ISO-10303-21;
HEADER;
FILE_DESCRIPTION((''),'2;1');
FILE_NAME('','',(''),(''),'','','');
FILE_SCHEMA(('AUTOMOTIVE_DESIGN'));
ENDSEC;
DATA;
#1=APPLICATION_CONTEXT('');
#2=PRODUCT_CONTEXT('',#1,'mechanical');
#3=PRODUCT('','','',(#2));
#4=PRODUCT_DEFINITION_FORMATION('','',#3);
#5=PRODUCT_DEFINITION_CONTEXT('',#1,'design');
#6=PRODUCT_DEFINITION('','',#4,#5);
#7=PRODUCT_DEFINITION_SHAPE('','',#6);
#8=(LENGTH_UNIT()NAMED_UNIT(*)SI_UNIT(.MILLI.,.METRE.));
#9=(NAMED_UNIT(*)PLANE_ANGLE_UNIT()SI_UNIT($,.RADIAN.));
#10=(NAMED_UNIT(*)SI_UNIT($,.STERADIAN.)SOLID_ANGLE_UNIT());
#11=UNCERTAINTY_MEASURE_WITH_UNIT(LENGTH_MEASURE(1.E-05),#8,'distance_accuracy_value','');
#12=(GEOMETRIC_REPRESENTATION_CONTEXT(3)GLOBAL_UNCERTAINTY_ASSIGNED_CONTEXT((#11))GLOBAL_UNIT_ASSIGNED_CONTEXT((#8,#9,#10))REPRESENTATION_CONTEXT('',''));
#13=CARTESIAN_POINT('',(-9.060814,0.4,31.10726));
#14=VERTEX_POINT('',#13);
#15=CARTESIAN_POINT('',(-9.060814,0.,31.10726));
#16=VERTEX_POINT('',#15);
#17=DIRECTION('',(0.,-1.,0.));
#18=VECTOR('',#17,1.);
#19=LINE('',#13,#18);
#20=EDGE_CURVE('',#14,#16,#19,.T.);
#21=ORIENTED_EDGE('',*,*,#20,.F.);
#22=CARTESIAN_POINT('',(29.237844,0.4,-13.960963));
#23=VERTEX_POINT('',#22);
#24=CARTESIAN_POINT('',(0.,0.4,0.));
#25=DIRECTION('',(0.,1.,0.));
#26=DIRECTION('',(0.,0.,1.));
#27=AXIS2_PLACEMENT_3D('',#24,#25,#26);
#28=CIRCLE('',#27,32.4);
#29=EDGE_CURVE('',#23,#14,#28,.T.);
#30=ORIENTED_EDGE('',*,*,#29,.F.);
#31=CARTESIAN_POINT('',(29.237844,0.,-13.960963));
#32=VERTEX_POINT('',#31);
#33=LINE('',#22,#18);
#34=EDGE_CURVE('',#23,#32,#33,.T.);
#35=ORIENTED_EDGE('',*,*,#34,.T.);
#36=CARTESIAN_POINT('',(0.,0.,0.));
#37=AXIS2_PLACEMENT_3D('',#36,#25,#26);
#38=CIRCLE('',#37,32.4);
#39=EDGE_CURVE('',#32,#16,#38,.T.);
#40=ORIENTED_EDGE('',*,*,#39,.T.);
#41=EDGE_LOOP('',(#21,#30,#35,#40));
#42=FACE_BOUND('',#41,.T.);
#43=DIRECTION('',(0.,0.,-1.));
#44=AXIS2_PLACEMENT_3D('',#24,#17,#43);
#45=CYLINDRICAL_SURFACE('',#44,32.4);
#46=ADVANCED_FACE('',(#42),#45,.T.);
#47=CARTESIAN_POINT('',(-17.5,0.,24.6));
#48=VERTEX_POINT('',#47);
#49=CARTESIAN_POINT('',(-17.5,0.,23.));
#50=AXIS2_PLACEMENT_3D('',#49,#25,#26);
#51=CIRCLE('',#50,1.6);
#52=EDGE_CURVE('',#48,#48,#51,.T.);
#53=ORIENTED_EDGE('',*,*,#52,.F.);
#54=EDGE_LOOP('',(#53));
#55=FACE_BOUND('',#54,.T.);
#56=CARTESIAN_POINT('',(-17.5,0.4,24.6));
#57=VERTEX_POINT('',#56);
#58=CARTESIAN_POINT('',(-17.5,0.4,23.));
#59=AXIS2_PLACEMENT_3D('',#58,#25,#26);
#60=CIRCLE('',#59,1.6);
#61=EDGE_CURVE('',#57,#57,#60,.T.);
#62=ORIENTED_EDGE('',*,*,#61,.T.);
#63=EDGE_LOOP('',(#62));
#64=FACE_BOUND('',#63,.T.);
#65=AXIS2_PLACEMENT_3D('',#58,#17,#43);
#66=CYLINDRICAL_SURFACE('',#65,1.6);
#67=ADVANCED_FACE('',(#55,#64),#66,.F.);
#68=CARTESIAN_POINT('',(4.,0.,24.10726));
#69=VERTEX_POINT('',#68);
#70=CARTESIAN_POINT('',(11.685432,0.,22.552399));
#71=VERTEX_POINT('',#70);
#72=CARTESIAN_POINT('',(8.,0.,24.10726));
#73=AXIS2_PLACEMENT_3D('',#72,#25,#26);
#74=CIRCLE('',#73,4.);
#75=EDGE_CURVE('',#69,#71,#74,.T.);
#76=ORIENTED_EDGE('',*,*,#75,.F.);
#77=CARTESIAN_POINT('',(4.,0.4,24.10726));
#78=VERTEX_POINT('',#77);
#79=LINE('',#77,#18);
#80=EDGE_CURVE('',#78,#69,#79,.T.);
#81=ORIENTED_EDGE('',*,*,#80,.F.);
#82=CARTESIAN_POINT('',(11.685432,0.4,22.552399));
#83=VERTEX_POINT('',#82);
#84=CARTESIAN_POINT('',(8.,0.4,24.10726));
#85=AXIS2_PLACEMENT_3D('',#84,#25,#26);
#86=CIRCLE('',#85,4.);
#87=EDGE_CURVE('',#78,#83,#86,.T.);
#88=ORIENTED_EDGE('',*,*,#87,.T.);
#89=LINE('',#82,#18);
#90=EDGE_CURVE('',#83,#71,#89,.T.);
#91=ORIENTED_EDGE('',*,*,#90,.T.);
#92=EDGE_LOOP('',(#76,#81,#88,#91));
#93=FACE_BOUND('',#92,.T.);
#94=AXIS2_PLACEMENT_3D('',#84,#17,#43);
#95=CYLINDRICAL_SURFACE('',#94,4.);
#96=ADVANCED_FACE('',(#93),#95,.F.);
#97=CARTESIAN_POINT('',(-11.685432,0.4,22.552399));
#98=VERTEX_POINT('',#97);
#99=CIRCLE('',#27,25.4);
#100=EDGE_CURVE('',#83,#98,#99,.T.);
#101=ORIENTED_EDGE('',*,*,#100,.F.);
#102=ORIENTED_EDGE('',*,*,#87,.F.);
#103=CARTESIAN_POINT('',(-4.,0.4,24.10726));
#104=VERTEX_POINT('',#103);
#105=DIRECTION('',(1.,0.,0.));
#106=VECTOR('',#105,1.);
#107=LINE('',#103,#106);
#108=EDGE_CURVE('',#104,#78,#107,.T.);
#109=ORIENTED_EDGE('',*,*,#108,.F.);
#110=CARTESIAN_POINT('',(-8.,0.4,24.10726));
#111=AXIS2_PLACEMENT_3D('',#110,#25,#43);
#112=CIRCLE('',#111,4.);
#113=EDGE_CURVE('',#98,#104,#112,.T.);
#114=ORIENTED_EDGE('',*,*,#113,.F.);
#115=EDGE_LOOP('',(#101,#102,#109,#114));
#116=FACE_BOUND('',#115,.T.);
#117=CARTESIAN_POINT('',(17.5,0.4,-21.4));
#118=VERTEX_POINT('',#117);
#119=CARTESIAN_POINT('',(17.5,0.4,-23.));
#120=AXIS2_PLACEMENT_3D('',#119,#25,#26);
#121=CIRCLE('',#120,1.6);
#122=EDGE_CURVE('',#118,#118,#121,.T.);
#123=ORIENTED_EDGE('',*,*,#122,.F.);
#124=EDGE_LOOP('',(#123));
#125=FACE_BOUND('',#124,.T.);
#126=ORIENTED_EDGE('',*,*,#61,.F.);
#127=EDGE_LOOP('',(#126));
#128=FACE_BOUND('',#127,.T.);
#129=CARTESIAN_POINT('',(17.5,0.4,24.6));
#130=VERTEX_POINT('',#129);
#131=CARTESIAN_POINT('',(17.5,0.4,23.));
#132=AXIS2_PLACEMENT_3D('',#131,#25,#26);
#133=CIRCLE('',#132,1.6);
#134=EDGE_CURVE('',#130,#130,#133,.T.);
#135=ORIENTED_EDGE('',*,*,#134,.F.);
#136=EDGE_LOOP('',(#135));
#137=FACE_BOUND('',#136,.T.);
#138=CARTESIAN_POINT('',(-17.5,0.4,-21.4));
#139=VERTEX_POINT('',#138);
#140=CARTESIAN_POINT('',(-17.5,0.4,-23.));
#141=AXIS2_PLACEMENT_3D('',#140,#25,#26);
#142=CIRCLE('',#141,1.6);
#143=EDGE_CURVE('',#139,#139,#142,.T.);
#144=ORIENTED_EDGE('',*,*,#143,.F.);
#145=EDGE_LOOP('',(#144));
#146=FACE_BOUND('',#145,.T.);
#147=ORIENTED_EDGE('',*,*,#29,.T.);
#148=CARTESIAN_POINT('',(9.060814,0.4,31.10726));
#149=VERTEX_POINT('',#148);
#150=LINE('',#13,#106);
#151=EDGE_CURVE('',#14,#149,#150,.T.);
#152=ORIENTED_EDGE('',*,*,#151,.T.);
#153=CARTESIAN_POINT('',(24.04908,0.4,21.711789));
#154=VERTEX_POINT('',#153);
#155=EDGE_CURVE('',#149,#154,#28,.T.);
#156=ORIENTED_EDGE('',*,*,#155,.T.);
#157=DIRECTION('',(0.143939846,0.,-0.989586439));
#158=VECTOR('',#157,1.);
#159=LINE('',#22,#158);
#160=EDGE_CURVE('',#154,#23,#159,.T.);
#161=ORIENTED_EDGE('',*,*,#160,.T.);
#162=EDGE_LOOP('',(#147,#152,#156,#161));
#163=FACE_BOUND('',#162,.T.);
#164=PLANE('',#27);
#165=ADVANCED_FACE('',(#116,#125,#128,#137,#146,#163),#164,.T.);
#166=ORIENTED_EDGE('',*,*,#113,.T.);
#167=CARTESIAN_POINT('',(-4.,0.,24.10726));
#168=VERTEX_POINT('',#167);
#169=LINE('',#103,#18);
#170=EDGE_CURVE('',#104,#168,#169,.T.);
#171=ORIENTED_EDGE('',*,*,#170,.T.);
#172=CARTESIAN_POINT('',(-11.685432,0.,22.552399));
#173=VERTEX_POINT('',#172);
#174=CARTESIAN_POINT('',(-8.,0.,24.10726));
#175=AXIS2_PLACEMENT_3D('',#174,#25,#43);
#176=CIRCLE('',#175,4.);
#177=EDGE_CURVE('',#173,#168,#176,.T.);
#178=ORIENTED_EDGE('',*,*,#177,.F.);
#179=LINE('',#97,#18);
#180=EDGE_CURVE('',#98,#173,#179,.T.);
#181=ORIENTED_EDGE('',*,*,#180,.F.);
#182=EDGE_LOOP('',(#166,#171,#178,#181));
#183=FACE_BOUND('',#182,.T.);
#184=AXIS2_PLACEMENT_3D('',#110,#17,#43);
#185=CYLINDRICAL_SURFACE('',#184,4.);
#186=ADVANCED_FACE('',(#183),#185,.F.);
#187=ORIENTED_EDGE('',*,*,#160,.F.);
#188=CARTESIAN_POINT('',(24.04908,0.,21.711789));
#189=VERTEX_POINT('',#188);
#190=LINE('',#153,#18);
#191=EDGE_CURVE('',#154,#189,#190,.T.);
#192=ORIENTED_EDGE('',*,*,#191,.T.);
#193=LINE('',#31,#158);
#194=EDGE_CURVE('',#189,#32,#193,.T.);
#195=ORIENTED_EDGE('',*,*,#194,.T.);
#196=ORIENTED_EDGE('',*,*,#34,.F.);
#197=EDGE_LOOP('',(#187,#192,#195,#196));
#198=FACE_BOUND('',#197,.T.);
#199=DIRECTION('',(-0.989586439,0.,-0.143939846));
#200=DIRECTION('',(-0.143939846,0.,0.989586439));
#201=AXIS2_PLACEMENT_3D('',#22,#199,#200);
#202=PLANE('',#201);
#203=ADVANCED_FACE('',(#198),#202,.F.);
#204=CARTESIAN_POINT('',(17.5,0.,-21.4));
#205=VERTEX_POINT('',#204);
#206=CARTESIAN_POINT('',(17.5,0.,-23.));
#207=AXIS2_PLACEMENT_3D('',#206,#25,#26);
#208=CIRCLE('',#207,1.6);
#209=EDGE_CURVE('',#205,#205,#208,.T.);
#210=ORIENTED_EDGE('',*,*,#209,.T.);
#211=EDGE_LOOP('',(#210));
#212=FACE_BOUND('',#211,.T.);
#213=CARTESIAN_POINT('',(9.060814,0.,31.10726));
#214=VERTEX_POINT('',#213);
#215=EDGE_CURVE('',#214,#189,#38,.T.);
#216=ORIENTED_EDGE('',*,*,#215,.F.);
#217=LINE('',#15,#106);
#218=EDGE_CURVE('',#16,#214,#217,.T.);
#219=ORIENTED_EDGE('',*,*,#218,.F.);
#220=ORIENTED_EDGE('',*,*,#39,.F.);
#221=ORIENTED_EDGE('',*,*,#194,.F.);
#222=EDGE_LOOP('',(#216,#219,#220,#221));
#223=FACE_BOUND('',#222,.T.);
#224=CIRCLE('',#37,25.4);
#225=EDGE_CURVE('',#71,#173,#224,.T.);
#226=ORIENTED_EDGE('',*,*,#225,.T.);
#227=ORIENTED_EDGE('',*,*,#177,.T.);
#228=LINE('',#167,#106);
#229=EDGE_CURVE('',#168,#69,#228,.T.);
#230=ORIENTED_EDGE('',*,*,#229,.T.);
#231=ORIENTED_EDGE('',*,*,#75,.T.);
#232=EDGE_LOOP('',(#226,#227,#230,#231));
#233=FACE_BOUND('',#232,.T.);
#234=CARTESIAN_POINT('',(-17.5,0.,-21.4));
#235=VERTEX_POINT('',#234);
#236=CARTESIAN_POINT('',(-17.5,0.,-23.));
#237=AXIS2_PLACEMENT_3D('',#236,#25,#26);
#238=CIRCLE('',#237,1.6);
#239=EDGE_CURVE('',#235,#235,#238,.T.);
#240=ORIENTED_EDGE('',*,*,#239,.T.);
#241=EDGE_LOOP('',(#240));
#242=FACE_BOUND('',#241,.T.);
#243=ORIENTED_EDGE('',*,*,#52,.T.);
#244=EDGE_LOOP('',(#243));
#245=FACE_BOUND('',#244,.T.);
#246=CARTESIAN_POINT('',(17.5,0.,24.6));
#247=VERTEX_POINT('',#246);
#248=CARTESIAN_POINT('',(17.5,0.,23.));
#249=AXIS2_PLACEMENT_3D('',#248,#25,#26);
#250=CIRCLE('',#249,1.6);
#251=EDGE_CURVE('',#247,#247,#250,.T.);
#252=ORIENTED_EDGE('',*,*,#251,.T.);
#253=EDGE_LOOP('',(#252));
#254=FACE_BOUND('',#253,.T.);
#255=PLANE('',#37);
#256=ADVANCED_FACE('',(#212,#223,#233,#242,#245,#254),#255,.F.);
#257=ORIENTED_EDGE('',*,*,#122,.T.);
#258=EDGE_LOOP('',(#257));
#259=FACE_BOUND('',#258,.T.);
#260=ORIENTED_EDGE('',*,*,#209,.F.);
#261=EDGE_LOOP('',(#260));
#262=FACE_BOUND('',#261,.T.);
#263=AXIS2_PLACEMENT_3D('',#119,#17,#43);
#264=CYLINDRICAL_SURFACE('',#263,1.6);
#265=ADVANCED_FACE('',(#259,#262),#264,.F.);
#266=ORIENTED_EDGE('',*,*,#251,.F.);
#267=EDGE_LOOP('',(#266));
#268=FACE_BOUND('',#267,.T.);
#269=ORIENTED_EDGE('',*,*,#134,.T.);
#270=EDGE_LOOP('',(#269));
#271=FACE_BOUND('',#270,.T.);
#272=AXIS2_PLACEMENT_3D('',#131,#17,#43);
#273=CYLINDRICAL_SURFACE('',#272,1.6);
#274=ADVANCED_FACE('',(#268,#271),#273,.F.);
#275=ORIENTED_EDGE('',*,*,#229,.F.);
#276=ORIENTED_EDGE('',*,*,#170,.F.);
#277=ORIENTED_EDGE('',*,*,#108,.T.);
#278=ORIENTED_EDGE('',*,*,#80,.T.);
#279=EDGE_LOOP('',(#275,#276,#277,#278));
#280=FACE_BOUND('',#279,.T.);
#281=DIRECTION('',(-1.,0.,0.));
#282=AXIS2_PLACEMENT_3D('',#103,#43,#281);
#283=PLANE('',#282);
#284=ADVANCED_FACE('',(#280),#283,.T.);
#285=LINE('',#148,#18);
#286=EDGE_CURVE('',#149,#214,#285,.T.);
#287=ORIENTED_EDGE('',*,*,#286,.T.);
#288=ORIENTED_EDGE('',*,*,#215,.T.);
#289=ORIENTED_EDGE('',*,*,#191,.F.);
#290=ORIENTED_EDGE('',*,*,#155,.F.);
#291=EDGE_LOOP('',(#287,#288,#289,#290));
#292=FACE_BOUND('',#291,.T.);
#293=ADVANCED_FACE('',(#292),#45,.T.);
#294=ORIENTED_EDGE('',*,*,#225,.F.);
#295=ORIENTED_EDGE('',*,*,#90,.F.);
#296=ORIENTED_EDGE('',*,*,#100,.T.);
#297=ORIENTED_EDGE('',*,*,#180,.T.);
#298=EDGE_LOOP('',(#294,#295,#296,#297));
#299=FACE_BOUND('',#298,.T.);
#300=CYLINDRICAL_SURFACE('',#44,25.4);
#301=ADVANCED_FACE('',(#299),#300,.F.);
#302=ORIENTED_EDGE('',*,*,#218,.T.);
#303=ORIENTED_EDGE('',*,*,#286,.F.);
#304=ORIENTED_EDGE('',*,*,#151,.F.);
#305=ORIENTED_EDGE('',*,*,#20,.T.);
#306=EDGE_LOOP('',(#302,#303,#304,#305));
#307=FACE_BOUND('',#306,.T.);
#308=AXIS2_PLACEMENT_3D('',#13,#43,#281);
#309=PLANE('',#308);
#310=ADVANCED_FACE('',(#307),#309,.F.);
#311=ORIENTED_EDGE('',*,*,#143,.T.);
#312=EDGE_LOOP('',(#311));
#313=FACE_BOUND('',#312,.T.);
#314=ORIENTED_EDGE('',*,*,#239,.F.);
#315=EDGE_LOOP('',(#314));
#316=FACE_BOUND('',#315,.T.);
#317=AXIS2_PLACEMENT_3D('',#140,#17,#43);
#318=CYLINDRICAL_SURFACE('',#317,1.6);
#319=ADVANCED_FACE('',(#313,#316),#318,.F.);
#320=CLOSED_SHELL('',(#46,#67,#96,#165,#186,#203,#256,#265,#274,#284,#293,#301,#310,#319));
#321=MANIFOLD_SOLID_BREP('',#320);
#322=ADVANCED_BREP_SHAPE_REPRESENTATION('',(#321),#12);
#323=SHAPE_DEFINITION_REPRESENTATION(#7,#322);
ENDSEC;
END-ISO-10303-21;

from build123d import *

# Parameters (mm, degrees)
SKETCH1_R           = 1.6
BOSS_EXTRUDE1_DEPTH = 0.4


with BuildPart() as part:
    # Sketch1 → Boss-Extrude1 (new body)
    with BuildSketch(Plane(origin=(0, 0, 0), x_dir=(1, 0, 0), z_dir=(0, 1, 0))):
        with BuildLine():
            Line((29.237843605, 13.960963482), (24.049079653, -21.711788683))
            ThreePointArc((24.049079653, -21.711788683), (17.208573183, -27.452231403), (9.060814288, -31.107260317))
            Line((9.060814288, -31.107260317), (-9.060814288, -31.107260317))
            ThreePointArc((-9.060814288, -31.107260317), (-24.689356555, 20.980840614), (29.237843605, 13.960963482))
        make_face()
        with Locations(Location((-17.5, 23, 0), (0, 0, 270))):
            Circle(SKETCH1_R, mode=Mode.SUBTRACT)
        with Locations(Location((-17.5, -23, 0), (0, 0, 270))):
            Circle(SKETCH1_R, mode=Mode.SUBTRACT)
        with Locations(Location((17.5, -23, 0), (0, 0, 270))):
            Circle(SKETCH1_R, mode=Mode.SUBTRACT)
        with Locations(Location((17.5, 23, 0), (0, 0, 270))):
            Circle(SKETCH1_R, mode=Mode.SUBTRACT)
        with BuildLine():
            Line((-4, -24.107260317), (4, -24.107260317))
            ThreePointArc((4, -24.107260317), (8.793181532, -28.027829543), (11.685431528, -22.552398764))
            ThreePointArc((11.685431528, -22.552398764), (0, 25.4), (-11.685431528, -22.552398764))
            ThreePointArc((-11.685431528, -22.552398764), (-8.793181532, -28.027829543), (-4, -24.107260317))
        make_face(mode=Mode.SUBTRACT)
    extrude(amount=BOSS_EXTRUDE1_DEPTH)


solid = part.part
